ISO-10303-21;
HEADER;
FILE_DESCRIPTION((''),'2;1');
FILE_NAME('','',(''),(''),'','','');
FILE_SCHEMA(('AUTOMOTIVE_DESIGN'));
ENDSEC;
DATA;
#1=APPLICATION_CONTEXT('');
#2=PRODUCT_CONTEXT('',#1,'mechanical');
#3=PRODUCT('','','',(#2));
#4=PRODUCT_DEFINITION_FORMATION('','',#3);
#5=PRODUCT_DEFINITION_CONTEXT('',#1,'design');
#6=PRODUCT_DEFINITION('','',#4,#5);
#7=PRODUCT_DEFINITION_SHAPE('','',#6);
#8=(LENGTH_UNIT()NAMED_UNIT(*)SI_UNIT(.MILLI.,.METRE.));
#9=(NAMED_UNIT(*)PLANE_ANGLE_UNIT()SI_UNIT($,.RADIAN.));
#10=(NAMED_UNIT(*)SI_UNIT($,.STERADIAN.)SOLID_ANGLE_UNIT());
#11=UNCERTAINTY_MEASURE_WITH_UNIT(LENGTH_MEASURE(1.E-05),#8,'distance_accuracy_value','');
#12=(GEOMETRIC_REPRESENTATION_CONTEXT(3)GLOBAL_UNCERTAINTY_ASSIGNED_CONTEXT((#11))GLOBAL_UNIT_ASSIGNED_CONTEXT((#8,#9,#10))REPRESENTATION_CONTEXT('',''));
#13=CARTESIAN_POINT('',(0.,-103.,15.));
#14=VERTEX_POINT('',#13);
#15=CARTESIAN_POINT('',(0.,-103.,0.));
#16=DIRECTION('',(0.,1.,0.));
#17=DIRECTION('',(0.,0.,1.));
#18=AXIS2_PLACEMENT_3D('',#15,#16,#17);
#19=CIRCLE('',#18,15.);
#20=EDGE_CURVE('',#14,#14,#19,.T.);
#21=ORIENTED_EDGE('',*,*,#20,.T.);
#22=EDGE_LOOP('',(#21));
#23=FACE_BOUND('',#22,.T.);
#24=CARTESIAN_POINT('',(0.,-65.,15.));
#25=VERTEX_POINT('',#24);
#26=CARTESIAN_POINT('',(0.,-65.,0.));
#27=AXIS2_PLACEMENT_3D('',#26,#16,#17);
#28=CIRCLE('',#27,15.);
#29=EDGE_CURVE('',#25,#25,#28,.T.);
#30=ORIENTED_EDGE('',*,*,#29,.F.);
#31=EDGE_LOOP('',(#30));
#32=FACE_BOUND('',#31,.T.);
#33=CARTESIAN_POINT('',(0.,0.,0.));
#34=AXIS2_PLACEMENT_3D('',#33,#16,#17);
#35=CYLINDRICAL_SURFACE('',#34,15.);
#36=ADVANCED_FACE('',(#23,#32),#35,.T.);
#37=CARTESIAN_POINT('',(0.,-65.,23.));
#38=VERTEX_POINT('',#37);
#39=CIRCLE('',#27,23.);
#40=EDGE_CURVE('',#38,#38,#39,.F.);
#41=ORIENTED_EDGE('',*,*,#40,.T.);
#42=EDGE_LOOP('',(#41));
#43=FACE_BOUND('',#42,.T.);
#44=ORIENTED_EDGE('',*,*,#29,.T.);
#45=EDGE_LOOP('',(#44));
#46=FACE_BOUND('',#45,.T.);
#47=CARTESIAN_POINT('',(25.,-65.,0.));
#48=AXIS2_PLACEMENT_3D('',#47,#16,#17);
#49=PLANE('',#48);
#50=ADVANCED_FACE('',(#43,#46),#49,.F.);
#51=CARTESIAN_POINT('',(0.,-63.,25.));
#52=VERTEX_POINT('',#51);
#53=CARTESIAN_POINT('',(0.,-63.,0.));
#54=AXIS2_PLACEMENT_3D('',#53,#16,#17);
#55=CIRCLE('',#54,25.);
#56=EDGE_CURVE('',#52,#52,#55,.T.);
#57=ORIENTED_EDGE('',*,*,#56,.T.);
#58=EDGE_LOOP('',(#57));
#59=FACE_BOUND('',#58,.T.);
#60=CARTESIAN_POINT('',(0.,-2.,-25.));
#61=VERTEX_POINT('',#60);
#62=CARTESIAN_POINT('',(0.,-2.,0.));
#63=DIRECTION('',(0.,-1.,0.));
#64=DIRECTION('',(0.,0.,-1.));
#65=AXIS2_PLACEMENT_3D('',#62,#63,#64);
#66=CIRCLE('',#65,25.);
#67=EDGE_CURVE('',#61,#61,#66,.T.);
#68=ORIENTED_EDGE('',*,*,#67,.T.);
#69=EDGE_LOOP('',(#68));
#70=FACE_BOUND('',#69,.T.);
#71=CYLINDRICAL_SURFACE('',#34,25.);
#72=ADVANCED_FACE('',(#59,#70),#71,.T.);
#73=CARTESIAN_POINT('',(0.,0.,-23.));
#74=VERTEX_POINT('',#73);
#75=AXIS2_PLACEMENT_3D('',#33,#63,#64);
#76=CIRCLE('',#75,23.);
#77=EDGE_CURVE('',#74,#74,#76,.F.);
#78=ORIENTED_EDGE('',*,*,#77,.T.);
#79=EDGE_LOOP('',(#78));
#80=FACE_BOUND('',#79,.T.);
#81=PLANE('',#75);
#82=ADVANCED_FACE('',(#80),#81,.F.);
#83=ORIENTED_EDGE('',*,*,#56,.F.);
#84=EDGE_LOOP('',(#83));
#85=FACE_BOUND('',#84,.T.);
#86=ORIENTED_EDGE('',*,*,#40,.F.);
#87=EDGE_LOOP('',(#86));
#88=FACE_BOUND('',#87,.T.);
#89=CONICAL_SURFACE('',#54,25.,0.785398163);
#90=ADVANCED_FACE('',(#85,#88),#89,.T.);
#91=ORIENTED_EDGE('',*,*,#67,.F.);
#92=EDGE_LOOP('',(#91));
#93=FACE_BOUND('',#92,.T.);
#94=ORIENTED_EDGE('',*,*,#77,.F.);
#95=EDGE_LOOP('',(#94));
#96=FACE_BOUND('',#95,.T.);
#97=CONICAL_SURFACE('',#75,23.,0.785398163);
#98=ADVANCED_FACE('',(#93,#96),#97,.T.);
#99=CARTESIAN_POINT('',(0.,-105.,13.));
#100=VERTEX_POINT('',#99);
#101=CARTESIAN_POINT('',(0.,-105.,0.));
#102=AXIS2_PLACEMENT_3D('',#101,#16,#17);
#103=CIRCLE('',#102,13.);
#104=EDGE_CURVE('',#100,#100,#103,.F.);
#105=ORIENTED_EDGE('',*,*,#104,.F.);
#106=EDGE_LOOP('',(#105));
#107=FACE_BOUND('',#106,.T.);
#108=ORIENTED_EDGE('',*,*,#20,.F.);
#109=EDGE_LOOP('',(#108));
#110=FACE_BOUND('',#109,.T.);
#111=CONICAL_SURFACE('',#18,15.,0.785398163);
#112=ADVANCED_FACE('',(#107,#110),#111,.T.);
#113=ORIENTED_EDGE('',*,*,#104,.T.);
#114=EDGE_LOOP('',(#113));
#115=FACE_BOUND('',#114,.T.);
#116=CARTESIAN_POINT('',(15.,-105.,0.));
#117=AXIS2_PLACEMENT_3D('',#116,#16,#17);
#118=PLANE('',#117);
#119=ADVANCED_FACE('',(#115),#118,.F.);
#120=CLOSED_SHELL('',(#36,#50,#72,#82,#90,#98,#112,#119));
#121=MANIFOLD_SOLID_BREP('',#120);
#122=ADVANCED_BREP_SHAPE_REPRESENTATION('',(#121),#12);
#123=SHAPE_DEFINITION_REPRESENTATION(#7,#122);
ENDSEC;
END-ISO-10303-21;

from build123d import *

# Parameters (mm, degrees)
CHAMFER1_SIZE = 2
CHAMFER2_SIZE = 2


with BuildPart() as part:
    # Sketch1 → Revolve1 (revolve)
    with BuildSketch(Plane.XY, mode=Mode.PRIVATE) as revolve1_sk:
        Polygon((0, 0), (25, 0), (25, -65), (15, -65), (15, -105), (0, -105), align=None)
    revolve(revolve1_sk.sketch.rotate(Axis((0, 0, 0), (0, -1, 0)), 90), axis=Axis((0, 0, 0), (0, -1, 0)))

    # Chamfer1
    chamfer1_edges = [part.edges().sort_by_distance(p)[0] for p in [
        (0, -105, -15),
    ]]
    chamfer(chamfer1_edges, length=CHAMFER1_SIZE)

    # Chamfer2
    chamfer2_edges = [part.edges().sort_by_distance(p)[0] for p in [
        (0, -65, -25),
        (0, 0, -25),
    ]]
    chamfer(chamfer2_edges, length=CHAMFER2_SIZE)


solid = part.part
